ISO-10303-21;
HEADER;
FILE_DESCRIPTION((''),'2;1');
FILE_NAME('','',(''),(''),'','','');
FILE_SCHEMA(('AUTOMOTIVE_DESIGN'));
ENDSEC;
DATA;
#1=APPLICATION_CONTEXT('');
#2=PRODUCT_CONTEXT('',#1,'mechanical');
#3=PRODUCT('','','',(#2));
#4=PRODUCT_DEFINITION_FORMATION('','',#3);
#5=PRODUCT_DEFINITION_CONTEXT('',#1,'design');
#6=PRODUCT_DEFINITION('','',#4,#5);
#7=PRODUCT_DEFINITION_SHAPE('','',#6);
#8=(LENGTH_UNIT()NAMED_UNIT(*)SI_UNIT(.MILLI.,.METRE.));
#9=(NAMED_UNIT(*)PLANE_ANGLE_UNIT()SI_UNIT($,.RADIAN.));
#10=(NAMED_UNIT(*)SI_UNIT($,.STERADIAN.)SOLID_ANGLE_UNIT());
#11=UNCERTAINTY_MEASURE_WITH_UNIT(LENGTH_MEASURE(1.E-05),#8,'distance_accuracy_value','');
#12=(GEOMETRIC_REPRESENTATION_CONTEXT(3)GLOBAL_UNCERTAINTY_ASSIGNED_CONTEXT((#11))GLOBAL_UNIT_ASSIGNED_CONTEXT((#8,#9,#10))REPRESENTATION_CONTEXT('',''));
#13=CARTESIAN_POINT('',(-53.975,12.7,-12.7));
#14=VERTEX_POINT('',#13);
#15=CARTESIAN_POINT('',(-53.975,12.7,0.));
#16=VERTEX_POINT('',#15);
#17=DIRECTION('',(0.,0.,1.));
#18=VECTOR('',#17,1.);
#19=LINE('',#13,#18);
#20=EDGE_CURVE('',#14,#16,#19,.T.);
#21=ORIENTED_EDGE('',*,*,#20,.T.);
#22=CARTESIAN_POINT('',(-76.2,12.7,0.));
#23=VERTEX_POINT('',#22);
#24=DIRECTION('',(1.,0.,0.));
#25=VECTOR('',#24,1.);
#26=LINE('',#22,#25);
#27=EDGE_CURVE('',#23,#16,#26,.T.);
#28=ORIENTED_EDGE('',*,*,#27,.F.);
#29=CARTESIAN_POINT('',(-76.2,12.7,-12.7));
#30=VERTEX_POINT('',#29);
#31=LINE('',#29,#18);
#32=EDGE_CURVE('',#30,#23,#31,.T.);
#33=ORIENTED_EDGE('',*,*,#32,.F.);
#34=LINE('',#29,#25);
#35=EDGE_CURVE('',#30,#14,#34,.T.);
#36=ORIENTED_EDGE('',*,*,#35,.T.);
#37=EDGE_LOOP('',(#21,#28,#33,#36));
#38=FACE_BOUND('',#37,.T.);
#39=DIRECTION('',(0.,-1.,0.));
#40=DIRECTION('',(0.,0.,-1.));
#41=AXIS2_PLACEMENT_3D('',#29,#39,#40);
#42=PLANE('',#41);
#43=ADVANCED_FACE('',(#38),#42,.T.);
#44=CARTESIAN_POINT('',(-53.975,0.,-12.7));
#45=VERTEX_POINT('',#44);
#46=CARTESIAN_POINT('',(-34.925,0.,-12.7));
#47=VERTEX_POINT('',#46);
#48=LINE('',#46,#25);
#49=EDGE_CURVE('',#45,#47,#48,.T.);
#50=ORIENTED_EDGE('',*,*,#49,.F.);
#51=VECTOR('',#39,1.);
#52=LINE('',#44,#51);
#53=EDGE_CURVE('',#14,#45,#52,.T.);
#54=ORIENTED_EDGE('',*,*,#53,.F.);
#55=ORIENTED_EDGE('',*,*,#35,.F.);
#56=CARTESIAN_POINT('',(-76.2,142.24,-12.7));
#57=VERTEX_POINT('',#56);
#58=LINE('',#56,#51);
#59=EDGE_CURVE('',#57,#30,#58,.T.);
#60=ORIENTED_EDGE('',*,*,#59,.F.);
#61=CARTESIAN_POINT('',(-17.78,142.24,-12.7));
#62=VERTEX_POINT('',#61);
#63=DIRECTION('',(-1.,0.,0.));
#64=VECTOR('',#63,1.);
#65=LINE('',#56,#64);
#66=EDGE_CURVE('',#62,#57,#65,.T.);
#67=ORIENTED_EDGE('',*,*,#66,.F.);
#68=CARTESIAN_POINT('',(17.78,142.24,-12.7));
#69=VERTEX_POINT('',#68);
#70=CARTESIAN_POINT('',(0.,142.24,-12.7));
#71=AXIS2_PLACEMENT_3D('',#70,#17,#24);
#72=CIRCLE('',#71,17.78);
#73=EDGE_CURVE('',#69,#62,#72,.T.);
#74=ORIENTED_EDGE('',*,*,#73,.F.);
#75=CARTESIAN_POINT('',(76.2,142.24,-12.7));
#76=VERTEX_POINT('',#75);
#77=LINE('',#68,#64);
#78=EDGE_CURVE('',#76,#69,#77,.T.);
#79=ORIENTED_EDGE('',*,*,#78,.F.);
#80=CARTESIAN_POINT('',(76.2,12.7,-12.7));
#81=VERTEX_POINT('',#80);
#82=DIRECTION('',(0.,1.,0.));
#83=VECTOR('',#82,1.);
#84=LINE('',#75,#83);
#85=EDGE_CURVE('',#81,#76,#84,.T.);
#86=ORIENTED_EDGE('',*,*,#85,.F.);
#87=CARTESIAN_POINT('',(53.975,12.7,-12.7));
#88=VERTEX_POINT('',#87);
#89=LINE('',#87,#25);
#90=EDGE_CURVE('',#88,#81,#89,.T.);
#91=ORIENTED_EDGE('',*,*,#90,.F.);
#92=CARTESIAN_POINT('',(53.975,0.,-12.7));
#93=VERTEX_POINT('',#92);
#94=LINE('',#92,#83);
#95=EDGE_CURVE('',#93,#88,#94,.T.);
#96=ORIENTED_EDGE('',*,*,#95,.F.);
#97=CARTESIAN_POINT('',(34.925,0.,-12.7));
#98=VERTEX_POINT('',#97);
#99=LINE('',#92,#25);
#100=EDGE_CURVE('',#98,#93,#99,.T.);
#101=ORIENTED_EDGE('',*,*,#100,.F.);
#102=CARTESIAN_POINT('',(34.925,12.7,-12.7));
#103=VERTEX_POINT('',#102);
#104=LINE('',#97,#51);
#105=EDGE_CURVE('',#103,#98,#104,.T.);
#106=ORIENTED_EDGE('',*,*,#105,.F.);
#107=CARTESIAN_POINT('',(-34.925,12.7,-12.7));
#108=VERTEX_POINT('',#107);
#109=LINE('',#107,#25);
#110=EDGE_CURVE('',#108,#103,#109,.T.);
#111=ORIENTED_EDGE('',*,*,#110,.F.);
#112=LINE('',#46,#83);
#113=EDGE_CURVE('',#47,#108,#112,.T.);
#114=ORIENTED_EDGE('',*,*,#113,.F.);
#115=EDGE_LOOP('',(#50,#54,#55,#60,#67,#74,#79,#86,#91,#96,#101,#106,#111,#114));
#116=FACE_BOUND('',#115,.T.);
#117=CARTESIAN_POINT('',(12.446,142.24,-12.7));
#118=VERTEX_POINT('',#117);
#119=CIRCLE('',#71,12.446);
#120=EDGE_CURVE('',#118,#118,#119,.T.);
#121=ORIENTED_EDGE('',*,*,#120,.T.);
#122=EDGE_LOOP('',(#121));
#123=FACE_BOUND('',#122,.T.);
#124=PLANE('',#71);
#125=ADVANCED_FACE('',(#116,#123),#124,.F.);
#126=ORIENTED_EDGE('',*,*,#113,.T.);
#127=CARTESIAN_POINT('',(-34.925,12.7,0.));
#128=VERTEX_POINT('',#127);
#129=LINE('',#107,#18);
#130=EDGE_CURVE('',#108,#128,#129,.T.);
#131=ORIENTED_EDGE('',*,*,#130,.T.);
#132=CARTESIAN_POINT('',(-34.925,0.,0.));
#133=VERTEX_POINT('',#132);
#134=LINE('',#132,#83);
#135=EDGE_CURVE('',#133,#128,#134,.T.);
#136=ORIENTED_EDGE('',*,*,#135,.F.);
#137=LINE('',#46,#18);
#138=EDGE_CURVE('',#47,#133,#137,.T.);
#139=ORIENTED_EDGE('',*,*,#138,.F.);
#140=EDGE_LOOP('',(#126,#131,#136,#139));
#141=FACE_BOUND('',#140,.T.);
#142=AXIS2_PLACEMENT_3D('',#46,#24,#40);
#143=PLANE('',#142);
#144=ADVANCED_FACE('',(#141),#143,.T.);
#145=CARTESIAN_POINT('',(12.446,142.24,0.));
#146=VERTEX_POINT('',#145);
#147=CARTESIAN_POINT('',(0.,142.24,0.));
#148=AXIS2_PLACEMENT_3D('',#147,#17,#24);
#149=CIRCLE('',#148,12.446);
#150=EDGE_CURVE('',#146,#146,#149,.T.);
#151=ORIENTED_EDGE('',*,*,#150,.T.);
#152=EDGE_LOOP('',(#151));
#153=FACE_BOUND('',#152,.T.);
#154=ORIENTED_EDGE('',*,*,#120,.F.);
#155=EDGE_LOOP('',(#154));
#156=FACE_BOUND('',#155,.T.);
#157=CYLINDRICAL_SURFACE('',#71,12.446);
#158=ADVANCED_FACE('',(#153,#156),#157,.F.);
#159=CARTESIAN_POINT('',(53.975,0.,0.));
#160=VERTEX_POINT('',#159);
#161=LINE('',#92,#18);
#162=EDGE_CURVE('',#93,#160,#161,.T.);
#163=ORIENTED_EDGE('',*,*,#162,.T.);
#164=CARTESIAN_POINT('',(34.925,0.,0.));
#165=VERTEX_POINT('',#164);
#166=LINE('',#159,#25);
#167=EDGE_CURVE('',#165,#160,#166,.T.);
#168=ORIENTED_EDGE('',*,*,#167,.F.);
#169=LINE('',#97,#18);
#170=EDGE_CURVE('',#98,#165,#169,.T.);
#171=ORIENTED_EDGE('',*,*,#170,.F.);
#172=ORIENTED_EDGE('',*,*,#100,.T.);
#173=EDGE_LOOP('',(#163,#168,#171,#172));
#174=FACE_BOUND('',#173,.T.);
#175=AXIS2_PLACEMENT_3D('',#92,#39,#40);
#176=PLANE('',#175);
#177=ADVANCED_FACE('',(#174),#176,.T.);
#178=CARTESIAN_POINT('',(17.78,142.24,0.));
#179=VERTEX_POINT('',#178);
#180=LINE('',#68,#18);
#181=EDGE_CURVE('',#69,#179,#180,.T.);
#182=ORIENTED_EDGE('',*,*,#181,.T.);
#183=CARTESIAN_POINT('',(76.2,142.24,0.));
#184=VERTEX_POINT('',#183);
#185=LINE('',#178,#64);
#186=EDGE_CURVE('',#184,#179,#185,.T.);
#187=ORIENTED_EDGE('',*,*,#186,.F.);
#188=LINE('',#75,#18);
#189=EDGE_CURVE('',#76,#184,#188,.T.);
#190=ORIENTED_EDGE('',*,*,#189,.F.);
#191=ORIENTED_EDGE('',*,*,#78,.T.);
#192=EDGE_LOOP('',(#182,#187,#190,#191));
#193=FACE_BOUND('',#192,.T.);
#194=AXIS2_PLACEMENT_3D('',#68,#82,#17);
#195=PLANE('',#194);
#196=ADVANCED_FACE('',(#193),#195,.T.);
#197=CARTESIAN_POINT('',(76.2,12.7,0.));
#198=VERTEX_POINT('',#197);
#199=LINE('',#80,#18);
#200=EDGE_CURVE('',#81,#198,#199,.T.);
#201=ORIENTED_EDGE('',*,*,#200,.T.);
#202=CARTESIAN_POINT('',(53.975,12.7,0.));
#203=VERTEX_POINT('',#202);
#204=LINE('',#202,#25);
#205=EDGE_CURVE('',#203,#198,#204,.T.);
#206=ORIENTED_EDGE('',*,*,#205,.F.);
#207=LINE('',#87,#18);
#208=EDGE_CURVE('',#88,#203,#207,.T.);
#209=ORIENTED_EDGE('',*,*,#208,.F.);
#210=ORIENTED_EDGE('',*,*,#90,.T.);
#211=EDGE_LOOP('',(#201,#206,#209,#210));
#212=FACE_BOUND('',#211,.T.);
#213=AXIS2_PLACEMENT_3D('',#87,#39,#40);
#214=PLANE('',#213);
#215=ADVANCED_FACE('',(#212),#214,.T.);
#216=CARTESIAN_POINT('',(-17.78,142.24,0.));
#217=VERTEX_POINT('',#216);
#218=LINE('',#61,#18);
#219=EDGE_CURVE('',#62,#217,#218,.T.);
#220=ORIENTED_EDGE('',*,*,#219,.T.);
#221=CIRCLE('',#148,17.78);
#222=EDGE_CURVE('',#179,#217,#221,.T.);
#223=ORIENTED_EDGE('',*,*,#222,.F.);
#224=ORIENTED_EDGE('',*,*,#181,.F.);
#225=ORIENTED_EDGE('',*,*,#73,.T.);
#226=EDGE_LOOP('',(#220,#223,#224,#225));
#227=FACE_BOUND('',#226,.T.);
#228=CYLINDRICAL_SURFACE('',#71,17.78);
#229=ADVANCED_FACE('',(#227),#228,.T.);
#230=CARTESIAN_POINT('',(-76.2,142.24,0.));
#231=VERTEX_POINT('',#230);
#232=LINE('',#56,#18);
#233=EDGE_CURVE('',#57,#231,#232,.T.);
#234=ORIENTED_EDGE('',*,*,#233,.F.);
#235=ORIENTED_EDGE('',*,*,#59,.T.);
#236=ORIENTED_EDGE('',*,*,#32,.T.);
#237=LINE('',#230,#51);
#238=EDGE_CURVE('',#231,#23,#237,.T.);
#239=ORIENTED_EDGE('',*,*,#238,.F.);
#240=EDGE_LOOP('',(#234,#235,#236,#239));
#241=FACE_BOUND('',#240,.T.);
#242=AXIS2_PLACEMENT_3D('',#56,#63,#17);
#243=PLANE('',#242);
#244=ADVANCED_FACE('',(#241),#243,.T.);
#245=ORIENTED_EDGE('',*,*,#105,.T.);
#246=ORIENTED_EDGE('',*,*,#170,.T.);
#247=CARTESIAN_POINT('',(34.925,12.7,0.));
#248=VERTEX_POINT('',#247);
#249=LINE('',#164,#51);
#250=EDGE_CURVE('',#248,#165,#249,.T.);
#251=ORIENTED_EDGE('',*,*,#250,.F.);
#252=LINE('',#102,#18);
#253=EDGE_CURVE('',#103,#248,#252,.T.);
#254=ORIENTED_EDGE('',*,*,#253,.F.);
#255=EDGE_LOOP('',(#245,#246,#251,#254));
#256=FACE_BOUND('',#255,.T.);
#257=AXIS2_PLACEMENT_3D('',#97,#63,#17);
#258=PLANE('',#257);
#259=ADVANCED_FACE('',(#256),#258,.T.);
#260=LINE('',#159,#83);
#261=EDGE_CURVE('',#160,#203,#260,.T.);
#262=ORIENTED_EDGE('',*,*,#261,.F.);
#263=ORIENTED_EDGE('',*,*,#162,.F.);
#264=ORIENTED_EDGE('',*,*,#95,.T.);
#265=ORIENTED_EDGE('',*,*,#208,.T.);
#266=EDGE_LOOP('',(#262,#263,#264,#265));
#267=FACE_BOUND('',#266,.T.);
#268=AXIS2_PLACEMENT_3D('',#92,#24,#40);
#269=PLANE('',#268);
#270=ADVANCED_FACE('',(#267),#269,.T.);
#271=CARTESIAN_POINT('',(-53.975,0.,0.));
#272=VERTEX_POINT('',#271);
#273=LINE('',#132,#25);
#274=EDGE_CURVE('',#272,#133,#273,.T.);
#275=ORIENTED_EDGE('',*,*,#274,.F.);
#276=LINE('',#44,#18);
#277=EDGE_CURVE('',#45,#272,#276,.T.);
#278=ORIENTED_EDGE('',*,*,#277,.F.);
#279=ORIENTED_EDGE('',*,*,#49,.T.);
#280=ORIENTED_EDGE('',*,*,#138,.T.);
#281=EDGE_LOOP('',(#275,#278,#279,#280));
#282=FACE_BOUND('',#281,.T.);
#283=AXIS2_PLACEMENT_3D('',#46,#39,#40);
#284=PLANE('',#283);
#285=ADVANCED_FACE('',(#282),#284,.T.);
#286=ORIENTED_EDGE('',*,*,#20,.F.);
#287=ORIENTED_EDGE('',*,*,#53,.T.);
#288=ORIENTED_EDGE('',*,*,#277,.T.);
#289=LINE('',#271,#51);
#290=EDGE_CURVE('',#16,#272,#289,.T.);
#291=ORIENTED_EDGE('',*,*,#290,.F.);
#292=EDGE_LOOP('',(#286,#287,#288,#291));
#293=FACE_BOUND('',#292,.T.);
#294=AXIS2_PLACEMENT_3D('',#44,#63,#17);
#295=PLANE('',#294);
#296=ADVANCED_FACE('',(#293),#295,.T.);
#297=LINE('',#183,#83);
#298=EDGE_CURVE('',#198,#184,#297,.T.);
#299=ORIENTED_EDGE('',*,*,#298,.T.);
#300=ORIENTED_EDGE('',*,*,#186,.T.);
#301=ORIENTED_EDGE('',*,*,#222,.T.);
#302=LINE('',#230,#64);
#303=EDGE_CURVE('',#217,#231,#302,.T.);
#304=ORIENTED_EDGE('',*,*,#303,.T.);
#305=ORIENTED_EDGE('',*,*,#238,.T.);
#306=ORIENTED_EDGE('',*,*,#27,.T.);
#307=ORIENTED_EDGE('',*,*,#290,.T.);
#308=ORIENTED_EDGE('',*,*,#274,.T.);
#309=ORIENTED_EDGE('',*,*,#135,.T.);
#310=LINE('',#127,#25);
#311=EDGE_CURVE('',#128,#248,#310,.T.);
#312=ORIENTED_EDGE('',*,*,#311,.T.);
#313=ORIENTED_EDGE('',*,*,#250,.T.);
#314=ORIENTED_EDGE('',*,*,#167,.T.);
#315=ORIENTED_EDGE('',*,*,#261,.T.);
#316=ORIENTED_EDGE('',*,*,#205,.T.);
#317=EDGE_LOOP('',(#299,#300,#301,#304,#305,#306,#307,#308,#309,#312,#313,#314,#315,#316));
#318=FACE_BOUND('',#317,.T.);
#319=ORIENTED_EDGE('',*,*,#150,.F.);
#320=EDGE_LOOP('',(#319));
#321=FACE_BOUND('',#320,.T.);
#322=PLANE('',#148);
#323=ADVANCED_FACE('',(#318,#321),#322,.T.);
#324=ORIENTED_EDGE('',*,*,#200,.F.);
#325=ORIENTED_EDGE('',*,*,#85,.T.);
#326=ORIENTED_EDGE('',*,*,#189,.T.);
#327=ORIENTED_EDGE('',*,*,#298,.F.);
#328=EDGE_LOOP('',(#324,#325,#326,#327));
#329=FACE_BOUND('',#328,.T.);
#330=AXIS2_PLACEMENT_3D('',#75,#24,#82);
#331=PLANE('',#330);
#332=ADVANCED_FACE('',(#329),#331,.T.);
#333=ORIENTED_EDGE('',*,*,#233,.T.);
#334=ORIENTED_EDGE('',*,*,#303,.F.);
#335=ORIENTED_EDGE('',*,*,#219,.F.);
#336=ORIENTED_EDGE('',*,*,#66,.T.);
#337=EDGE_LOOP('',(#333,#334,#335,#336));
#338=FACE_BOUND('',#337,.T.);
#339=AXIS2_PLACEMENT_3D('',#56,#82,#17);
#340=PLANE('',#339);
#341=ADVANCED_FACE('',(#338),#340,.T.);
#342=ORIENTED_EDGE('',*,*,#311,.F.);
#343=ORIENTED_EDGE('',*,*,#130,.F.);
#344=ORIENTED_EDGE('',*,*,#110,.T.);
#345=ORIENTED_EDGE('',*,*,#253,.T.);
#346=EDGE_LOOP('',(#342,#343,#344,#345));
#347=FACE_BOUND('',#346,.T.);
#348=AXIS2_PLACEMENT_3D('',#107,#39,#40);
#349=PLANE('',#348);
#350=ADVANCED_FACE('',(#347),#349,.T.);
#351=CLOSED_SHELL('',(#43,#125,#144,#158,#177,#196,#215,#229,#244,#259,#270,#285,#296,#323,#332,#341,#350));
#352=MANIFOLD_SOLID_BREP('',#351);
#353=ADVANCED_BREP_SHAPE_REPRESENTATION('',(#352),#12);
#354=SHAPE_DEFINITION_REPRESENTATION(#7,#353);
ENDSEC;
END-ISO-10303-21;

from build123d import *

# Parameters (mm, degrees)
SKETCH1_R      = 12.446
EXTRUDE1_DEPTH = 12.7


with BuildPart() as part:
    # Sketch1 → Extrude1 (new body)
    with BuildSketch(Plane.XY):
        with BuildLine():
            Line((-76.2, 142.24), (-17.78, 142.24))
            ThreePointArc((-17.78, 142.24), (0, 160.02), (17.78, 142.24))
            Line((17.78, 142.24), (76.2, 142.24))
            Line((76.2, 142.24), (76.2, 12.7))
            Line((76.2, 12.7), (53.975, 12.7))
            Line((53.975, 12.7), (53.975, 0))
            Line((53.975, 0), (34.925, 0))
            Line((34.925, 0), (34.925, 12.7))
            Line((34.925, 12.7), (-34.925, 12.7))
            Line((-34.925, 12.7), (-34.925, 0))
            Line((-34.925, 0), (-53.975, 0))
            Line((-53.975, 0), (-53.975, 12.7))
            Line((-53.975, 12.7), (-76.2, 12.7))
            Line((-76.2, 12.7), (-76.2, 142.24))
        make_face()
        with Locations((0, 142.24)):
            Circle(SKETCH1_R, mode=Mode.SUBTRACT)
    extrude(amount=-EXTRUDE1_DEPTH)


solid = part.part
